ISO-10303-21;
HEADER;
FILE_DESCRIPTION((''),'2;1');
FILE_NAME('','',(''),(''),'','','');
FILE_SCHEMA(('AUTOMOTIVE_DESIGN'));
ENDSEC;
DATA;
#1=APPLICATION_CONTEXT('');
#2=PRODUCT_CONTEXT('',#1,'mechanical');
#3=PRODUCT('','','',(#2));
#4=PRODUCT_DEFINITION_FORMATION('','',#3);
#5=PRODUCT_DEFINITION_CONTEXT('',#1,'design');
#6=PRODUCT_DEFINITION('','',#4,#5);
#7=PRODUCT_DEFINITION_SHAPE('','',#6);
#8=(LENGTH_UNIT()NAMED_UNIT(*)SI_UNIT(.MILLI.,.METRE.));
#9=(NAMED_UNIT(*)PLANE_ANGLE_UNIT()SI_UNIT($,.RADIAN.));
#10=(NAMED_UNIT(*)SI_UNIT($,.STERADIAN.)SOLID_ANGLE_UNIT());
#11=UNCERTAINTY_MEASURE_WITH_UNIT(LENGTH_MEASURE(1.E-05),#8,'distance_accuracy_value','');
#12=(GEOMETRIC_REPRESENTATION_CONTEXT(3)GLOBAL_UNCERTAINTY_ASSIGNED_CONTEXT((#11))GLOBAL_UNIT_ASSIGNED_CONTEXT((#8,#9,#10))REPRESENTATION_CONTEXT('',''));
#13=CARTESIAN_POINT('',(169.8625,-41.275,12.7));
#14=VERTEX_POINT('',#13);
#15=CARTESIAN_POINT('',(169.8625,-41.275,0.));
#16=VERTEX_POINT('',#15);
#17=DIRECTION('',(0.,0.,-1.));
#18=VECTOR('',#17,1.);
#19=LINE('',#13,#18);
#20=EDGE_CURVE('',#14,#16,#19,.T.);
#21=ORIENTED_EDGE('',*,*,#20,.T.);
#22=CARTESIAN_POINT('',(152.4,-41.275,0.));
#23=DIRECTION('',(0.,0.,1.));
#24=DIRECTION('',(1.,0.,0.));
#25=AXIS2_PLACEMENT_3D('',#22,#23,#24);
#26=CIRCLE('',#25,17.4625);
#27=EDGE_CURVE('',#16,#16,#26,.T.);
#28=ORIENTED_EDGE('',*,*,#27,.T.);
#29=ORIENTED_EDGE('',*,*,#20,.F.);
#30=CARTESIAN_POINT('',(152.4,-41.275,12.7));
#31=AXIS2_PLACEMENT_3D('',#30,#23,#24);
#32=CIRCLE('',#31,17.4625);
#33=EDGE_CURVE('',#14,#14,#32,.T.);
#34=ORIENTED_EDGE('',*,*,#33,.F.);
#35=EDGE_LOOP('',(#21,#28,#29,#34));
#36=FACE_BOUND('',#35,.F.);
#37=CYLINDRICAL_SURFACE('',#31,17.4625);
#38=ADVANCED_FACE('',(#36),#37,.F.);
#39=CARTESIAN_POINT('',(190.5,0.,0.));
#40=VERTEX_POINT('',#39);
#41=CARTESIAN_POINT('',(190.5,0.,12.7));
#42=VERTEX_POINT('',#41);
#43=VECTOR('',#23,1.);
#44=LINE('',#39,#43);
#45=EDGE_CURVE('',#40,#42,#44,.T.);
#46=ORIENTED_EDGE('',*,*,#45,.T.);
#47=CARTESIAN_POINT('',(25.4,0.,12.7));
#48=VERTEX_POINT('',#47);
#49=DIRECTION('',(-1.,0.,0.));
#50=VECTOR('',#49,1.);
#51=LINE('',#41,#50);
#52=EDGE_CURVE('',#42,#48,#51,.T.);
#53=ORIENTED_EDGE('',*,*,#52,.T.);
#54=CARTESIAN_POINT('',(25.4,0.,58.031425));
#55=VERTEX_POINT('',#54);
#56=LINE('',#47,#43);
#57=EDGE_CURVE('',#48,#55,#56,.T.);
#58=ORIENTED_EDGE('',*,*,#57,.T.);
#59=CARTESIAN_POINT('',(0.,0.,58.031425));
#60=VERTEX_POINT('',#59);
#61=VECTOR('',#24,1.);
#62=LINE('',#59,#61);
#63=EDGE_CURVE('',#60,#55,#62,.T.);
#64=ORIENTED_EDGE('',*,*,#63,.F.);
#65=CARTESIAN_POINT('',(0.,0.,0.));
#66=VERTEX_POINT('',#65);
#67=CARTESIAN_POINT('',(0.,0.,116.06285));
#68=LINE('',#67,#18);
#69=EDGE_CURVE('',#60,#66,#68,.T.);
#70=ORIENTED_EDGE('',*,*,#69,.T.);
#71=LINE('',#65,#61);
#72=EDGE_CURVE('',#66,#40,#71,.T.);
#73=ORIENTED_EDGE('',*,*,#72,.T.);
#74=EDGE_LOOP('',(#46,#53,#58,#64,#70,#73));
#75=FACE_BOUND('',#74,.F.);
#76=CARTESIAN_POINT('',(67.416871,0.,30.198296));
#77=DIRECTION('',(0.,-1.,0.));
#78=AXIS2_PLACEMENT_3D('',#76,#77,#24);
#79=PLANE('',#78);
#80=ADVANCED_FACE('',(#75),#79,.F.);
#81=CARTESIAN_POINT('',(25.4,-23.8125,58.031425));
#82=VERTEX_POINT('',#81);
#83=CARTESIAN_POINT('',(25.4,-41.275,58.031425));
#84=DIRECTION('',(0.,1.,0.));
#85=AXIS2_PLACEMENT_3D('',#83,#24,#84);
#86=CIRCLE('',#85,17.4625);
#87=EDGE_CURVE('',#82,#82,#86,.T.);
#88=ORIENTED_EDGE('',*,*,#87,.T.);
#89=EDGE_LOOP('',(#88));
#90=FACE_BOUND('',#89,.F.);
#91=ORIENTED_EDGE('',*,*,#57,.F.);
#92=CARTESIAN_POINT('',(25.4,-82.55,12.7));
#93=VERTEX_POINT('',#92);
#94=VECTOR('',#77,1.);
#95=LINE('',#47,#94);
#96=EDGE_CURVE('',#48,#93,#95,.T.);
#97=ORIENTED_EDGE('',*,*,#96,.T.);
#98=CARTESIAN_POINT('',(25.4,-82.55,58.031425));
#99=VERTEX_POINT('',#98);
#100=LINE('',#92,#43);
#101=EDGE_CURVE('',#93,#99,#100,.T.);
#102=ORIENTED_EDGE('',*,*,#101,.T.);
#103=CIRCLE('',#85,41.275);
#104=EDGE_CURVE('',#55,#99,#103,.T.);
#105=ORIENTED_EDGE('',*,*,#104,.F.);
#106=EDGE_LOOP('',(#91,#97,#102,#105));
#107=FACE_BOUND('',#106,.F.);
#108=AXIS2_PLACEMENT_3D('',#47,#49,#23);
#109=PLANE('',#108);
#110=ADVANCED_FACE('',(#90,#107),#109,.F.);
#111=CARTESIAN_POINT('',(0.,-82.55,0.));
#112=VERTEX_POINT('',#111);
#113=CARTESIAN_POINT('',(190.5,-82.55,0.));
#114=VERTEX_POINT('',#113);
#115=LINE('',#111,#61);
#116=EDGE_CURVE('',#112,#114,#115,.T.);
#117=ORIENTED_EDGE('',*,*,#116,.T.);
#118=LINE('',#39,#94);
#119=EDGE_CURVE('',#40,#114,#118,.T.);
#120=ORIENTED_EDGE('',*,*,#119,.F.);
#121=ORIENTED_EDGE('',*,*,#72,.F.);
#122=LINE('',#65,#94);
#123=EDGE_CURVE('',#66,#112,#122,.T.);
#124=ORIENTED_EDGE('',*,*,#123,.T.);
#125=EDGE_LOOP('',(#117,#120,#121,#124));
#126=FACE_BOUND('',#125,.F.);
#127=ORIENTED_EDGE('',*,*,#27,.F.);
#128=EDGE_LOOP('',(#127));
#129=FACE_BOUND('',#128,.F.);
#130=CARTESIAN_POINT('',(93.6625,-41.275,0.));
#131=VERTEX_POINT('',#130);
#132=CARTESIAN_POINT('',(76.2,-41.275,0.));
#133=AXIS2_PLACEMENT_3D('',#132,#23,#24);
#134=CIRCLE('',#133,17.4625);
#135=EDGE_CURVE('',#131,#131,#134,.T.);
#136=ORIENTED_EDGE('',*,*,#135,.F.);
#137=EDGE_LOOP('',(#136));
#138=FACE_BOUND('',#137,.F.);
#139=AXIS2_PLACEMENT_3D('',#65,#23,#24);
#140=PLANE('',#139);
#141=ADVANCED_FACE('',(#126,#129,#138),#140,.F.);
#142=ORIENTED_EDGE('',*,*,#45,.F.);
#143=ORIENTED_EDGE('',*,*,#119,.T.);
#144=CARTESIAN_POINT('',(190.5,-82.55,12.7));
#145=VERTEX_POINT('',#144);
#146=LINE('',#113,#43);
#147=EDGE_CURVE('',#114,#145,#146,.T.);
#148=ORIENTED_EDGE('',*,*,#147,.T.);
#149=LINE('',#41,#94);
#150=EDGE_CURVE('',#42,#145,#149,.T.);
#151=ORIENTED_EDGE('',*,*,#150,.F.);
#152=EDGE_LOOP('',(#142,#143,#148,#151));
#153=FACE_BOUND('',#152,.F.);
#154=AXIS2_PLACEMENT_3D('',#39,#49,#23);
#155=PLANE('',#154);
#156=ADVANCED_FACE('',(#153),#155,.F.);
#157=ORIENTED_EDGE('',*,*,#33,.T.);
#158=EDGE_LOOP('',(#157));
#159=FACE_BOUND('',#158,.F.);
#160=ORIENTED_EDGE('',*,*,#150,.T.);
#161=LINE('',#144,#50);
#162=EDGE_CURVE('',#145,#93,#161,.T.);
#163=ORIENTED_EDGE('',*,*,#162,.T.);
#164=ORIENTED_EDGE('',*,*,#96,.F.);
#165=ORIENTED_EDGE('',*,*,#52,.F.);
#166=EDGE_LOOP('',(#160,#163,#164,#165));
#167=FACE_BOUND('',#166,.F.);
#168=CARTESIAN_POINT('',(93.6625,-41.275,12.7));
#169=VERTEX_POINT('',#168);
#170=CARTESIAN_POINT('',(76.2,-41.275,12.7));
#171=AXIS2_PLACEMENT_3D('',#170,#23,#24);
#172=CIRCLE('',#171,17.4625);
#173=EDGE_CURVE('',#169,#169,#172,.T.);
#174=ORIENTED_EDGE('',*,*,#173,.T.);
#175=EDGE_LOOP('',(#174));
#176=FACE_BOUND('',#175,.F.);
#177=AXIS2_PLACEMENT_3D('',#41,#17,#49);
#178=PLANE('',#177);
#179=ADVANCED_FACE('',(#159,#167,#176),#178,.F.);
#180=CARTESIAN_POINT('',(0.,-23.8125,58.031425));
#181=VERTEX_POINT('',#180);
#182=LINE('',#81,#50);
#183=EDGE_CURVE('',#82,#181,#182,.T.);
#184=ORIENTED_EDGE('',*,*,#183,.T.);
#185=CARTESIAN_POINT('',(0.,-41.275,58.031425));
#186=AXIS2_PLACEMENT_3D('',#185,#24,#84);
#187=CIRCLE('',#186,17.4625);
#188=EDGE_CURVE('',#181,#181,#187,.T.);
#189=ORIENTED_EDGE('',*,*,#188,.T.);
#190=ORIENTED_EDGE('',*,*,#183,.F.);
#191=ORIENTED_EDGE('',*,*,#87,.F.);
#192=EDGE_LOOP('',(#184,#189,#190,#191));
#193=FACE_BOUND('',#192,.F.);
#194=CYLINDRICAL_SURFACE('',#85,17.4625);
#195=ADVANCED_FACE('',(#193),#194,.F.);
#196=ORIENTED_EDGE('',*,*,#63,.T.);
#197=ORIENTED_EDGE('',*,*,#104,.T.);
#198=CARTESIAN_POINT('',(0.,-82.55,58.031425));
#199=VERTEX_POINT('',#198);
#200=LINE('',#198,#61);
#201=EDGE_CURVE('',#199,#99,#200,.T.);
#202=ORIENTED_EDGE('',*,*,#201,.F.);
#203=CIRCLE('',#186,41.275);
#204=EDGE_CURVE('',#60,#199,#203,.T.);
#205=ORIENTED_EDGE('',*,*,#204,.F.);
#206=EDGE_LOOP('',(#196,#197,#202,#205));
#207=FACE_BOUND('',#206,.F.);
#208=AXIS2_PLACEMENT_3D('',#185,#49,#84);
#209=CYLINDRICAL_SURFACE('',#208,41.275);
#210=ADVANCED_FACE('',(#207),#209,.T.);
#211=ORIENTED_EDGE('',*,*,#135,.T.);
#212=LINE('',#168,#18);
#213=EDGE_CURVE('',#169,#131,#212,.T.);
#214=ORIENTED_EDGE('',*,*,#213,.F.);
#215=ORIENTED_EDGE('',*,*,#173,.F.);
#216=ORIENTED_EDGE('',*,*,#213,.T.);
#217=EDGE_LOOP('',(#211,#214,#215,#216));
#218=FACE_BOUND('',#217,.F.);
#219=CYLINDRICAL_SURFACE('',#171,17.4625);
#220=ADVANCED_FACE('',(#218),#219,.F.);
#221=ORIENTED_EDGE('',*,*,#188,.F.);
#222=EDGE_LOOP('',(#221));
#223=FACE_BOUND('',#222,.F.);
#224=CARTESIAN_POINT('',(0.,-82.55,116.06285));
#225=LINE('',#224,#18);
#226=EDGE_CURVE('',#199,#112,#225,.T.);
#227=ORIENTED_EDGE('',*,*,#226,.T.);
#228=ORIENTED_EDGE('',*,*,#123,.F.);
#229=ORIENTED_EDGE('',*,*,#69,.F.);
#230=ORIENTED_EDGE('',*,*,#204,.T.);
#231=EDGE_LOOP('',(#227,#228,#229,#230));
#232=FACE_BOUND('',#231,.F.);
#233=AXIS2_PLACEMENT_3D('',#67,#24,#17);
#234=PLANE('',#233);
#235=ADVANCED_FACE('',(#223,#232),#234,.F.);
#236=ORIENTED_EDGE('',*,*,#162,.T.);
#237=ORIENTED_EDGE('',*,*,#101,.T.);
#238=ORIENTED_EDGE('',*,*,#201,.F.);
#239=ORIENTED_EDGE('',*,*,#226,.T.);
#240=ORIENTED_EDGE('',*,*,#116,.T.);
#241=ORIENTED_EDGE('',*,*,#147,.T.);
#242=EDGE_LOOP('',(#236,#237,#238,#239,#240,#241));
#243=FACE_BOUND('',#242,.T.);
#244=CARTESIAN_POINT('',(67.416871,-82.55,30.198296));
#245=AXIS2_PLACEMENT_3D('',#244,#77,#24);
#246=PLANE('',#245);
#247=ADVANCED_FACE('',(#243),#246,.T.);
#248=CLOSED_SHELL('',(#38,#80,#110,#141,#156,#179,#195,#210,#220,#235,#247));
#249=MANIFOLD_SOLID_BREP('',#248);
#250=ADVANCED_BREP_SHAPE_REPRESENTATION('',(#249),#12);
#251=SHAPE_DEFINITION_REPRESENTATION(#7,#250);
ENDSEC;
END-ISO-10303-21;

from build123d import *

# Parameters (mm, degrees)
F1_DEPTH = 82.55
F2_R     = 17.4625
F3_DEPTH = 12.7
F5_DEPTH = 25.4
F6_R     = 17.4625
F7_DEPTH = 25.4


with BuildPart() as f1:
    # F0 (on Front) → F1 (new body)
    with BuildSketch(Plane.XZ):
        Polygon((0, 116.06285), (0, 0), (190.5, 0), (190.5, 12.7), (25.4, 12.7), (25.4, 116.06285), align=None)
    extrude(amount=F1_DEPTH)

    # F2 (on face) → F3 (cut)
    with BuildSketch(Plane.XY.offset(12.7)):
        with Locations((76.2, -41.275)):
            Circle(F2_R)
        with Locations((152.4, -41.275)):
            Circle(F2_R)
    extrude(amount=-F3_DEPTH, mode=Mode.SUBTRACT)

    # F4 (on face) → F5 (cut)
    with BuildSketch(Plane(origin=(0, 0, 0), x_dir=(0, -1, 0), z_dir=(-1, 0, 0))):
        with BuildLine():
            ThreePointArc((0, 58.031425), (41.275, 99.306425), (82.55, 58.031425))
            Line((82.55, 58.031425), (82.55, 116.06285))
            Line((82.55, 116.06285), (0, 116.06285))
            Line((0, 116.06285), (0, 58.031425))
        make_face()
    extrude(amount=-F5_DEPTH, mode=Mode.SUBTRACT)

    # F6 (on face) → F7 (cut)
    with BuildSketch(Plane.YZ.offset(25.4)):
        with Locations((-41.275, 58.031425)):
            Circle(F6_R)
    extrude(amount=-F7_DEPTH, mode=Mode.SUBTRACT)


solid = f1.part
